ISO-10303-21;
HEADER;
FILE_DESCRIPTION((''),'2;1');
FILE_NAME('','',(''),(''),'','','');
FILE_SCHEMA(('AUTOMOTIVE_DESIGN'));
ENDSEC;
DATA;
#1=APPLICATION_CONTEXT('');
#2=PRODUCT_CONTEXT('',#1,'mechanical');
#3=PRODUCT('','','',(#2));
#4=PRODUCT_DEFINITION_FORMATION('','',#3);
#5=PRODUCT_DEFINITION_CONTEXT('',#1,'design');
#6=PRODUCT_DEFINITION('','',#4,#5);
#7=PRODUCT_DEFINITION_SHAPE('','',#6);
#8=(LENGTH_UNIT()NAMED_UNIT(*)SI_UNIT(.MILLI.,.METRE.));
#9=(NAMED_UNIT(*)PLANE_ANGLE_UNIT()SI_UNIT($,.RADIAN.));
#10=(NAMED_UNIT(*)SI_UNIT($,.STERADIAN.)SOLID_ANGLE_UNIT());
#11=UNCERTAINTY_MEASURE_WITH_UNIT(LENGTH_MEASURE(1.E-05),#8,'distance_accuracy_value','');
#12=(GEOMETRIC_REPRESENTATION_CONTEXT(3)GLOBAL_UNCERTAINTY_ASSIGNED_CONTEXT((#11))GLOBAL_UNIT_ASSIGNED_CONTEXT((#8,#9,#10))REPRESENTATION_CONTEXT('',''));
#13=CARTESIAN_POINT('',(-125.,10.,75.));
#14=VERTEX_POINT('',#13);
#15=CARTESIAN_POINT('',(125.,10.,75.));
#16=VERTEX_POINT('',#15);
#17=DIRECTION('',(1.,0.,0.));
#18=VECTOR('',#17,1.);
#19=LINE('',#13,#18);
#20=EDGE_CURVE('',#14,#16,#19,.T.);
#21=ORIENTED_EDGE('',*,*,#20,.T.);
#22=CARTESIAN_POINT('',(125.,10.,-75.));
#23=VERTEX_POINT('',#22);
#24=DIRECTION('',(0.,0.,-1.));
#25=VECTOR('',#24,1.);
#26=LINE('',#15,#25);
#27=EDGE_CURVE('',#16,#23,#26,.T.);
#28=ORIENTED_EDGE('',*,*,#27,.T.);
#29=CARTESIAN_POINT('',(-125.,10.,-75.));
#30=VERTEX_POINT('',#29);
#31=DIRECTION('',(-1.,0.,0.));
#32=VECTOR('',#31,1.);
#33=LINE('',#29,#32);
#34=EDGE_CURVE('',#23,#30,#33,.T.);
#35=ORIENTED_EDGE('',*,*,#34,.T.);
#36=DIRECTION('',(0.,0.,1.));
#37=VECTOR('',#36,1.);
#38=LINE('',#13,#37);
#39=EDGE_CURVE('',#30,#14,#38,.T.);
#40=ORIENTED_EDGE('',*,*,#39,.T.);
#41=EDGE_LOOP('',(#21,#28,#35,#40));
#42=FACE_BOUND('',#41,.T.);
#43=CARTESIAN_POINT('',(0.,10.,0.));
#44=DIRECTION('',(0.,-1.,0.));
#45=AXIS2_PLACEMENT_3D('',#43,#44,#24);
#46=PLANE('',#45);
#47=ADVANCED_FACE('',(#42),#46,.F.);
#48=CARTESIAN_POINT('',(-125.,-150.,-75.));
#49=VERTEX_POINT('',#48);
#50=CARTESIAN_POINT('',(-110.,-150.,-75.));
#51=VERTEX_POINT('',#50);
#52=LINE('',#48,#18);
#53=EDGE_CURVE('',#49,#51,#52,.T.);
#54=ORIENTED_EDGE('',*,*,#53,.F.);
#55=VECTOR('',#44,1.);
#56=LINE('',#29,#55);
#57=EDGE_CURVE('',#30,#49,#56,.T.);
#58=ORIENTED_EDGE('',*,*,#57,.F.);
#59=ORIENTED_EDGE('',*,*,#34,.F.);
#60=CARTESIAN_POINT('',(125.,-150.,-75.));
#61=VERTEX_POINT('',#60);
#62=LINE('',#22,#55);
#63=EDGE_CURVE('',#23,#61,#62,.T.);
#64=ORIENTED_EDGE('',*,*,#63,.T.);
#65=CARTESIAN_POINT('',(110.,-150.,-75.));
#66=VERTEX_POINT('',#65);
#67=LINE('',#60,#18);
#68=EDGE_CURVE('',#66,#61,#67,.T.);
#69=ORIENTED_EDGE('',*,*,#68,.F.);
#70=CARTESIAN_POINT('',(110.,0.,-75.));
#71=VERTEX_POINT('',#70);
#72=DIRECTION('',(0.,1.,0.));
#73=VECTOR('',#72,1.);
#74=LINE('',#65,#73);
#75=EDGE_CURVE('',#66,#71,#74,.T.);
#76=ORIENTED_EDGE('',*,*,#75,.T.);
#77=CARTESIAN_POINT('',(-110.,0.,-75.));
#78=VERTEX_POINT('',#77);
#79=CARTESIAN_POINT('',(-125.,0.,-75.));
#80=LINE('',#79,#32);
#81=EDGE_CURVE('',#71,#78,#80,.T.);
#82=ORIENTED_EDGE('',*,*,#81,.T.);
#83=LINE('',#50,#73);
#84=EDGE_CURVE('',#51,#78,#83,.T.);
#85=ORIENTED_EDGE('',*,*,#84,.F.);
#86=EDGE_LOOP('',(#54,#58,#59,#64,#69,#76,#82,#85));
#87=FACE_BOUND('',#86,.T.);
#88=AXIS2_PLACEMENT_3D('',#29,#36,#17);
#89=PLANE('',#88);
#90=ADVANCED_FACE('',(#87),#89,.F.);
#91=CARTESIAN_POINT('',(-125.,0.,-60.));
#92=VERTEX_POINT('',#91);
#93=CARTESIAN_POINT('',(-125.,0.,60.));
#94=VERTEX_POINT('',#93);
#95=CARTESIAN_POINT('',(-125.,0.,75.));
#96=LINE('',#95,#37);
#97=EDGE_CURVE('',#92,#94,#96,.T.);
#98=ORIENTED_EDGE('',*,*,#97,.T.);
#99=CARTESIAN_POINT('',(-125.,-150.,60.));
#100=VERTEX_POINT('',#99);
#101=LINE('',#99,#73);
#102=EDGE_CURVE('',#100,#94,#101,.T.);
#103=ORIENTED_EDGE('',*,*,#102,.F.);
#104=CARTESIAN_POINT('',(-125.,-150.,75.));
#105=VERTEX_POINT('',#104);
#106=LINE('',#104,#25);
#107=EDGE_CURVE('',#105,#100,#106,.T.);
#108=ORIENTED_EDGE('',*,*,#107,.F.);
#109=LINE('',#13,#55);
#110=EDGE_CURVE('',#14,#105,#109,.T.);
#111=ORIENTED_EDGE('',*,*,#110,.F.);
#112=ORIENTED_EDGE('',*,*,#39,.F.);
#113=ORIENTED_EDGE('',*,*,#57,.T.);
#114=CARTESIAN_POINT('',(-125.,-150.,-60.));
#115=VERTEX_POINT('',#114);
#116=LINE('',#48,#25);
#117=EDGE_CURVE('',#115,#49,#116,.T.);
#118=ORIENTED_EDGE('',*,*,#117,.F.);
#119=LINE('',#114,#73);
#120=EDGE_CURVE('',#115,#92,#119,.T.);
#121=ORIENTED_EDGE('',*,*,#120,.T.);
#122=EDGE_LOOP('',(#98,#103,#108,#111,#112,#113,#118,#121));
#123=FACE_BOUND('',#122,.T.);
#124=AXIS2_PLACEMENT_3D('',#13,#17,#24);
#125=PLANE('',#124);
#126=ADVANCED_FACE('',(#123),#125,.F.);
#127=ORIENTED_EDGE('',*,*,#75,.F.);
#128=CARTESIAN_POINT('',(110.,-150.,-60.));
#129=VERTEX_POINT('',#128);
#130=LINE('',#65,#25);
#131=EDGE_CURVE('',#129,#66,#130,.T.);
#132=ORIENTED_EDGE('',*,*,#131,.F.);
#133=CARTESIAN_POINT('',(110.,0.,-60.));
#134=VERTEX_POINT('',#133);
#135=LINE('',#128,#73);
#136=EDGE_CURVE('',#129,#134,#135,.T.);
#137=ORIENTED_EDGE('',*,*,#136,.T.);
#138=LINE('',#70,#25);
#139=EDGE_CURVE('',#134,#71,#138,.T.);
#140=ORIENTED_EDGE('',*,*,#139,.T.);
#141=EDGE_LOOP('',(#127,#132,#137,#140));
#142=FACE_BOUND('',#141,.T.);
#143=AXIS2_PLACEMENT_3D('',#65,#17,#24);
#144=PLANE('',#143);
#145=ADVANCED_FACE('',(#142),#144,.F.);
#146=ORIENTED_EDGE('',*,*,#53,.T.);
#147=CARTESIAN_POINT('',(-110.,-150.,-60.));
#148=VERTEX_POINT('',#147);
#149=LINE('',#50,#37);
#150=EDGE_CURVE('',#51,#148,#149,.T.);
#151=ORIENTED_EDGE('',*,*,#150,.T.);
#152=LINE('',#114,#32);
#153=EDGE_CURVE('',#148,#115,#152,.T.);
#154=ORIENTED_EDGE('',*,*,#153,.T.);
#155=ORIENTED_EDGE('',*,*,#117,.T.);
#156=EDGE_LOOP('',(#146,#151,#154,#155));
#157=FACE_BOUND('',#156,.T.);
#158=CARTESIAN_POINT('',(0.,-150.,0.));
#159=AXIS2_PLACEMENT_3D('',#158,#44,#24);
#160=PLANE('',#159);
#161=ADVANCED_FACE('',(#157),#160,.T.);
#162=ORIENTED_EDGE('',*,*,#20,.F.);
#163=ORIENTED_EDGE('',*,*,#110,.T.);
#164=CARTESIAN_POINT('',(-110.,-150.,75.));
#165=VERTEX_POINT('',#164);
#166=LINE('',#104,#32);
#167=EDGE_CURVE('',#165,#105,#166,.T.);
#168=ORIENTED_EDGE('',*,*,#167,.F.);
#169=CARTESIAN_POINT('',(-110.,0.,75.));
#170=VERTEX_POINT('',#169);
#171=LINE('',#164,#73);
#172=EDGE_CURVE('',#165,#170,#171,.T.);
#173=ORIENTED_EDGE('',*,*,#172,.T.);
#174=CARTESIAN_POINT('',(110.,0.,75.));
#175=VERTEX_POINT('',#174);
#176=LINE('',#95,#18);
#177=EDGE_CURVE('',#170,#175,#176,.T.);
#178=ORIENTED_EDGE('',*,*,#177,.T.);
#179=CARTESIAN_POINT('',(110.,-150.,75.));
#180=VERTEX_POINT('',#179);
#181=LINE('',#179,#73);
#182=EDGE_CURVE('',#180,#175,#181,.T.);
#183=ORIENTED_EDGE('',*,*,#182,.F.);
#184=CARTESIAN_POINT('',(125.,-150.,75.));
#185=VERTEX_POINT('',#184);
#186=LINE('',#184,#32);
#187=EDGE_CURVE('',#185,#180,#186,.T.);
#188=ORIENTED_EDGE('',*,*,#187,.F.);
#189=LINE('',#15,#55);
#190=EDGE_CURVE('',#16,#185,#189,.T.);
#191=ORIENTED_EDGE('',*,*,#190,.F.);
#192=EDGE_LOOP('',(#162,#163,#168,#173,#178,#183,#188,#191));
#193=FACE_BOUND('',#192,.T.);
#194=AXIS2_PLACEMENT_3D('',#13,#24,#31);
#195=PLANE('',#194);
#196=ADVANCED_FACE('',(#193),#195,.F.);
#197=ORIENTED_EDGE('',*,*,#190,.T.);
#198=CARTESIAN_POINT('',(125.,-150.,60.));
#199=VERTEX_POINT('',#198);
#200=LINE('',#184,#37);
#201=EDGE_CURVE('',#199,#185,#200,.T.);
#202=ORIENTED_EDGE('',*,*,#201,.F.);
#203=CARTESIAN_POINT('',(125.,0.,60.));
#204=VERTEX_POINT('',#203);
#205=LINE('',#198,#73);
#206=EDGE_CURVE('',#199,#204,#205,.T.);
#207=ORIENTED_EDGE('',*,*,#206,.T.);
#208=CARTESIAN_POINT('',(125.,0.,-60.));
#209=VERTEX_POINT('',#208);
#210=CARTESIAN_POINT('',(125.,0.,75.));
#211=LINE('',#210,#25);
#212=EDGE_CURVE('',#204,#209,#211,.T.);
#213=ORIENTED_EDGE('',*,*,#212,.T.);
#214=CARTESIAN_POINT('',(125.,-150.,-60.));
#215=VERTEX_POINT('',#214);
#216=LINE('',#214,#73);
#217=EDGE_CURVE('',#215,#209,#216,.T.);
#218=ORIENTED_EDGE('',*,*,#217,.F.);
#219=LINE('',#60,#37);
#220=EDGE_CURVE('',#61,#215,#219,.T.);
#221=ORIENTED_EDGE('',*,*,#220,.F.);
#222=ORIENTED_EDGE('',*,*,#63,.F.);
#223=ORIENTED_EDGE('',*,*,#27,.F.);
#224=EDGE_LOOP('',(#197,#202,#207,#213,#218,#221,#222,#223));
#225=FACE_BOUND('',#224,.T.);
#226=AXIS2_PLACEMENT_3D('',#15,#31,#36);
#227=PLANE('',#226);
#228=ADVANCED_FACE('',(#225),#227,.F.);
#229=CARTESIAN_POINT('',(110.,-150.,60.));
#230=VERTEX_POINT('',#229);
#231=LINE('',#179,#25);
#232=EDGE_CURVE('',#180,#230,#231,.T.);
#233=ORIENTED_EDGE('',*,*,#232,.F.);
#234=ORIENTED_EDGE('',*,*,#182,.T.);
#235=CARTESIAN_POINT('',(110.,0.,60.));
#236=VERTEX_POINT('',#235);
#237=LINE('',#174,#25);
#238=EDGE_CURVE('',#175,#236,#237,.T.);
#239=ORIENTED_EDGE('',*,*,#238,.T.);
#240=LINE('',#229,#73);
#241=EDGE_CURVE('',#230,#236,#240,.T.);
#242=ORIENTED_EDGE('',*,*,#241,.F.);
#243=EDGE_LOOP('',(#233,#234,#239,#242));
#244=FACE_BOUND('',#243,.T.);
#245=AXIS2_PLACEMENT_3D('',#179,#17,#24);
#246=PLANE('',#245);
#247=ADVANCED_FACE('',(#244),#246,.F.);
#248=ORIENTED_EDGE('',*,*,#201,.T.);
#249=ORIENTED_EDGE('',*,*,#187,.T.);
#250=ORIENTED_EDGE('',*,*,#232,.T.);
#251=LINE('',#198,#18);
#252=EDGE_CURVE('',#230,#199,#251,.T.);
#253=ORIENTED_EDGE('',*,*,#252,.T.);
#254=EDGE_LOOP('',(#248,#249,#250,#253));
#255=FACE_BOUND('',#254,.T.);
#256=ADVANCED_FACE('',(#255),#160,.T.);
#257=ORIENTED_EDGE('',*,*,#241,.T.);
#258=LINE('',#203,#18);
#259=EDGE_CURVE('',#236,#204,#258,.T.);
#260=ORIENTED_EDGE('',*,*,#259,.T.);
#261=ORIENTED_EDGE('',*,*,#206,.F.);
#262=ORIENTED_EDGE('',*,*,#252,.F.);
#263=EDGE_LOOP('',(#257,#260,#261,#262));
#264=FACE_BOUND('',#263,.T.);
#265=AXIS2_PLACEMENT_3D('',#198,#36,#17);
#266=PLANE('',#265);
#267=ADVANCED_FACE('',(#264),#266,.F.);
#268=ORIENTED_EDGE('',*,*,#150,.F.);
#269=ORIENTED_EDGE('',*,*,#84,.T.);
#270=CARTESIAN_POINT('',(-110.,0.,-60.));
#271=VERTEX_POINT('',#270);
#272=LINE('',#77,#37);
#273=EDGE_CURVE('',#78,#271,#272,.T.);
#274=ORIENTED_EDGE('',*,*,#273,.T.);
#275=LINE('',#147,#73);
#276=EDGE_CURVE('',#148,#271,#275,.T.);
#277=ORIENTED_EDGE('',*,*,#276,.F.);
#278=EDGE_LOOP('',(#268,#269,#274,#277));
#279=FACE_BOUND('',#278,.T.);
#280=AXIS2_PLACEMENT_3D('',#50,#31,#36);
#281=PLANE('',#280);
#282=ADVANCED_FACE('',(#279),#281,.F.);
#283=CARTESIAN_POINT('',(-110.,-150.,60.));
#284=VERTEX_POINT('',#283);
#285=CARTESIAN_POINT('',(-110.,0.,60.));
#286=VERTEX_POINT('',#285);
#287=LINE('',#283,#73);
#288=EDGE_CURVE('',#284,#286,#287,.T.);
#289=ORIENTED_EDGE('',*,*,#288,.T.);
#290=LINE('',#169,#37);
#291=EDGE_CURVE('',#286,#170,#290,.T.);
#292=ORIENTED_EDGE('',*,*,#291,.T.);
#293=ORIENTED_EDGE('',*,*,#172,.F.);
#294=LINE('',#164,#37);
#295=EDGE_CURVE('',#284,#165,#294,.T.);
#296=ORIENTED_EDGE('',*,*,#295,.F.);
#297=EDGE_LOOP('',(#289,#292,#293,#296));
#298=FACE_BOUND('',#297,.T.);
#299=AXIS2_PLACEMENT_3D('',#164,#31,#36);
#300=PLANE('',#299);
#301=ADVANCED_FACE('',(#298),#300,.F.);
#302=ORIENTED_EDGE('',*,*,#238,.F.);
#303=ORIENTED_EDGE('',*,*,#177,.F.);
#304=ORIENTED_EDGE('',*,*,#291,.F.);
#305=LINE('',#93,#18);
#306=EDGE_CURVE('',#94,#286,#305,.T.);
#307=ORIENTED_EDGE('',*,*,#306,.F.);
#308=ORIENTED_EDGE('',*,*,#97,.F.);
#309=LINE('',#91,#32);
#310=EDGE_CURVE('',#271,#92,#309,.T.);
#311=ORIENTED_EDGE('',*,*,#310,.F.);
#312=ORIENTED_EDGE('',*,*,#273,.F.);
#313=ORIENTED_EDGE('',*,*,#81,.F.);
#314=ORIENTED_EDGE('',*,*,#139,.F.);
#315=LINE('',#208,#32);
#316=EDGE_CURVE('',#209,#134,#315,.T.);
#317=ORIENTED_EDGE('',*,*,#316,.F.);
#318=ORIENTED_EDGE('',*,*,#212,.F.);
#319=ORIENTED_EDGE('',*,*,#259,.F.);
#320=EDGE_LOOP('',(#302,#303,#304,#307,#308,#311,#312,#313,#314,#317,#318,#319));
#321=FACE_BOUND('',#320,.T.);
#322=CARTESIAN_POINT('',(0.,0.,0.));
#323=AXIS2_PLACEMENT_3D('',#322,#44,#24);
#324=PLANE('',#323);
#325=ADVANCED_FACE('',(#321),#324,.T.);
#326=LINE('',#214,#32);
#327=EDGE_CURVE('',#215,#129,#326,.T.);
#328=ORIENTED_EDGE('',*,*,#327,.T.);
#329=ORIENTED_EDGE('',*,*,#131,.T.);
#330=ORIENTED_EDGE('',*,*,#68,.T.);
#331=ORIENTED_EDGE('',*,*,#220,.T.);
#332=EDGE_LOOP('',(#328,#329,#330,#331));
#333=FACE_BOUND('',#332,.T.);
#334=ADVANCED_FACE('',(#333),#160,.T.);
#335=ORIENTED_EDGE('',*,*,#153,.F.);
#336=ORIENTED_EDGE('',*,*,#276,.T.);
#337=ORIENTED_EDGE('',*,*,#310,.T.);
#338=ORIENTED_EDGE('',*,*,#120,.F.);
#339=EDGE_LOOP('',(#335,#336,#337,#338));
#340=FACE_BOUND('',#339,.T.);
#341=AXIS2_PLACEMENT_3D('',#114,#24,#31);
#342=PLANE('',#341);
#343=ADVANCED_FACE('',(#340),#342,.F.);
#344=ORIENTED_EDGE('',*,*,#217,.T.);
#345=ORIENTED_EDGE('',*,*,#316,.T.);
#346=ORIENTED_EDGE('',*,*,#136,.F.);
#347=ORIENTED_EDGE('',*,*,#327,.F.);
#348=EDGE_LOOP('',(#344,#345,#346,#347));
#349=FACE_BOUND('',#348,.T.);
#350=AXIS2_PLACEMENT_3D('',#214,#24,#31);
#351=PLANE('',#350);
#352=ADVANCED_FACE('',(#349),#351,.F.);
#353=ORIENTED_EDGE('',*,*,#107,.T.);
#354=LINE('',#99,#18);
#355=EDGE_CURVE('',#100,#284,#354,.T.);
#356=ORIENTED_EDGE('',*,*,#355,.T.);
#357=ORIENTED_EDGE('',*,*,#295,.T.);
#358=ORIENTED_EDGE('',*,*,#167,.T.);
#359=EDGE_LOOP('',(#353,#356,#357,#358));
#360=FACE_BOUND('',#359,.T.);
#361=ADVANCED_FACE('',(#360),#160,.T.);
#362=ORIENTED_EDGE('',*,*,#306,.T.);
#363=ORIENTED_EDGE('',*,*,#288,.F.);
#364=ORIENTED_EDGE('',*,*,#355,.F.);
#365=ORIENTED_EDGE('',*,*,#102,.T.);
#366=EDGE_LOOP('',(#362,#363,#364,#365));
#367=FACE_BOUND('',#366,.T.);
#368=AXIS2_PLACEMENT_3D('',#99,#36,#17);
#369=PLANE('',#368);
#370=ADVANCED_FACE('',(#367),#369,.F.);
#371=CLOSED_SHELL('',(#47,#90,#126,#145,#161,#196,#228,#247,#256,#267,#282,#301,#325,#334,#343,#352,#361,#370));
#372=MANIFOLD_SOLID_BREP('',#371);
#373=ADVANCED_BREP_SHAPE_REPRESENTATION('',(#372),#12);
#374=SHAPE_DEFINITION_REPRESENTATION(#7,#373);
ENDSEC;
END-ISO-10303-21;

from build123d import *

# Parameters (mm, degrees)
SKETCH1_W           = 250
SKETCH1_H           = 150
BOSS_EXTRUDE1_DEPTH = 10
SKETCH4_W           = 15
SKETCH4_H           = 15
BOSS_EXTRUDE2_DEPTH = 150


with BuildPart() as part:
    # Sketch1 → Boss-Extrude1 (new body)
    with BuildSketch(Plane(origin=(0, 0, 0), x_dir=(1, 0, 0), z_dir=(0, 1, 0))):
        Rectangle(SKETCH1_W, SKETCH1_H)
    extrude(amount=BOSS_EXTRUDE1_DEPTH)

    # Sketch4 → Boss-Extrude2 (add)
    with BuildSketch(Plane.XZ):
        with Locations((117.5, -67.5)):
            Rectangle(SKETCH4_W, SKETCH4_H)
        with Locations((117.5, 67.5)):
            Rectangle(SKETCH4_W, SKETCH4_H)
        with Locations((-117.5, 67.5)):
            Rectangle(SKETCH4_W, SKETCH4_H)
        with Locations((-117.5, -67.5)):
            Rectangle(SKETCH4_W, SKETCH4_H)
    extrude(amount=BOSS_EXTRUDE2_DEPTH)


solid = part.part
